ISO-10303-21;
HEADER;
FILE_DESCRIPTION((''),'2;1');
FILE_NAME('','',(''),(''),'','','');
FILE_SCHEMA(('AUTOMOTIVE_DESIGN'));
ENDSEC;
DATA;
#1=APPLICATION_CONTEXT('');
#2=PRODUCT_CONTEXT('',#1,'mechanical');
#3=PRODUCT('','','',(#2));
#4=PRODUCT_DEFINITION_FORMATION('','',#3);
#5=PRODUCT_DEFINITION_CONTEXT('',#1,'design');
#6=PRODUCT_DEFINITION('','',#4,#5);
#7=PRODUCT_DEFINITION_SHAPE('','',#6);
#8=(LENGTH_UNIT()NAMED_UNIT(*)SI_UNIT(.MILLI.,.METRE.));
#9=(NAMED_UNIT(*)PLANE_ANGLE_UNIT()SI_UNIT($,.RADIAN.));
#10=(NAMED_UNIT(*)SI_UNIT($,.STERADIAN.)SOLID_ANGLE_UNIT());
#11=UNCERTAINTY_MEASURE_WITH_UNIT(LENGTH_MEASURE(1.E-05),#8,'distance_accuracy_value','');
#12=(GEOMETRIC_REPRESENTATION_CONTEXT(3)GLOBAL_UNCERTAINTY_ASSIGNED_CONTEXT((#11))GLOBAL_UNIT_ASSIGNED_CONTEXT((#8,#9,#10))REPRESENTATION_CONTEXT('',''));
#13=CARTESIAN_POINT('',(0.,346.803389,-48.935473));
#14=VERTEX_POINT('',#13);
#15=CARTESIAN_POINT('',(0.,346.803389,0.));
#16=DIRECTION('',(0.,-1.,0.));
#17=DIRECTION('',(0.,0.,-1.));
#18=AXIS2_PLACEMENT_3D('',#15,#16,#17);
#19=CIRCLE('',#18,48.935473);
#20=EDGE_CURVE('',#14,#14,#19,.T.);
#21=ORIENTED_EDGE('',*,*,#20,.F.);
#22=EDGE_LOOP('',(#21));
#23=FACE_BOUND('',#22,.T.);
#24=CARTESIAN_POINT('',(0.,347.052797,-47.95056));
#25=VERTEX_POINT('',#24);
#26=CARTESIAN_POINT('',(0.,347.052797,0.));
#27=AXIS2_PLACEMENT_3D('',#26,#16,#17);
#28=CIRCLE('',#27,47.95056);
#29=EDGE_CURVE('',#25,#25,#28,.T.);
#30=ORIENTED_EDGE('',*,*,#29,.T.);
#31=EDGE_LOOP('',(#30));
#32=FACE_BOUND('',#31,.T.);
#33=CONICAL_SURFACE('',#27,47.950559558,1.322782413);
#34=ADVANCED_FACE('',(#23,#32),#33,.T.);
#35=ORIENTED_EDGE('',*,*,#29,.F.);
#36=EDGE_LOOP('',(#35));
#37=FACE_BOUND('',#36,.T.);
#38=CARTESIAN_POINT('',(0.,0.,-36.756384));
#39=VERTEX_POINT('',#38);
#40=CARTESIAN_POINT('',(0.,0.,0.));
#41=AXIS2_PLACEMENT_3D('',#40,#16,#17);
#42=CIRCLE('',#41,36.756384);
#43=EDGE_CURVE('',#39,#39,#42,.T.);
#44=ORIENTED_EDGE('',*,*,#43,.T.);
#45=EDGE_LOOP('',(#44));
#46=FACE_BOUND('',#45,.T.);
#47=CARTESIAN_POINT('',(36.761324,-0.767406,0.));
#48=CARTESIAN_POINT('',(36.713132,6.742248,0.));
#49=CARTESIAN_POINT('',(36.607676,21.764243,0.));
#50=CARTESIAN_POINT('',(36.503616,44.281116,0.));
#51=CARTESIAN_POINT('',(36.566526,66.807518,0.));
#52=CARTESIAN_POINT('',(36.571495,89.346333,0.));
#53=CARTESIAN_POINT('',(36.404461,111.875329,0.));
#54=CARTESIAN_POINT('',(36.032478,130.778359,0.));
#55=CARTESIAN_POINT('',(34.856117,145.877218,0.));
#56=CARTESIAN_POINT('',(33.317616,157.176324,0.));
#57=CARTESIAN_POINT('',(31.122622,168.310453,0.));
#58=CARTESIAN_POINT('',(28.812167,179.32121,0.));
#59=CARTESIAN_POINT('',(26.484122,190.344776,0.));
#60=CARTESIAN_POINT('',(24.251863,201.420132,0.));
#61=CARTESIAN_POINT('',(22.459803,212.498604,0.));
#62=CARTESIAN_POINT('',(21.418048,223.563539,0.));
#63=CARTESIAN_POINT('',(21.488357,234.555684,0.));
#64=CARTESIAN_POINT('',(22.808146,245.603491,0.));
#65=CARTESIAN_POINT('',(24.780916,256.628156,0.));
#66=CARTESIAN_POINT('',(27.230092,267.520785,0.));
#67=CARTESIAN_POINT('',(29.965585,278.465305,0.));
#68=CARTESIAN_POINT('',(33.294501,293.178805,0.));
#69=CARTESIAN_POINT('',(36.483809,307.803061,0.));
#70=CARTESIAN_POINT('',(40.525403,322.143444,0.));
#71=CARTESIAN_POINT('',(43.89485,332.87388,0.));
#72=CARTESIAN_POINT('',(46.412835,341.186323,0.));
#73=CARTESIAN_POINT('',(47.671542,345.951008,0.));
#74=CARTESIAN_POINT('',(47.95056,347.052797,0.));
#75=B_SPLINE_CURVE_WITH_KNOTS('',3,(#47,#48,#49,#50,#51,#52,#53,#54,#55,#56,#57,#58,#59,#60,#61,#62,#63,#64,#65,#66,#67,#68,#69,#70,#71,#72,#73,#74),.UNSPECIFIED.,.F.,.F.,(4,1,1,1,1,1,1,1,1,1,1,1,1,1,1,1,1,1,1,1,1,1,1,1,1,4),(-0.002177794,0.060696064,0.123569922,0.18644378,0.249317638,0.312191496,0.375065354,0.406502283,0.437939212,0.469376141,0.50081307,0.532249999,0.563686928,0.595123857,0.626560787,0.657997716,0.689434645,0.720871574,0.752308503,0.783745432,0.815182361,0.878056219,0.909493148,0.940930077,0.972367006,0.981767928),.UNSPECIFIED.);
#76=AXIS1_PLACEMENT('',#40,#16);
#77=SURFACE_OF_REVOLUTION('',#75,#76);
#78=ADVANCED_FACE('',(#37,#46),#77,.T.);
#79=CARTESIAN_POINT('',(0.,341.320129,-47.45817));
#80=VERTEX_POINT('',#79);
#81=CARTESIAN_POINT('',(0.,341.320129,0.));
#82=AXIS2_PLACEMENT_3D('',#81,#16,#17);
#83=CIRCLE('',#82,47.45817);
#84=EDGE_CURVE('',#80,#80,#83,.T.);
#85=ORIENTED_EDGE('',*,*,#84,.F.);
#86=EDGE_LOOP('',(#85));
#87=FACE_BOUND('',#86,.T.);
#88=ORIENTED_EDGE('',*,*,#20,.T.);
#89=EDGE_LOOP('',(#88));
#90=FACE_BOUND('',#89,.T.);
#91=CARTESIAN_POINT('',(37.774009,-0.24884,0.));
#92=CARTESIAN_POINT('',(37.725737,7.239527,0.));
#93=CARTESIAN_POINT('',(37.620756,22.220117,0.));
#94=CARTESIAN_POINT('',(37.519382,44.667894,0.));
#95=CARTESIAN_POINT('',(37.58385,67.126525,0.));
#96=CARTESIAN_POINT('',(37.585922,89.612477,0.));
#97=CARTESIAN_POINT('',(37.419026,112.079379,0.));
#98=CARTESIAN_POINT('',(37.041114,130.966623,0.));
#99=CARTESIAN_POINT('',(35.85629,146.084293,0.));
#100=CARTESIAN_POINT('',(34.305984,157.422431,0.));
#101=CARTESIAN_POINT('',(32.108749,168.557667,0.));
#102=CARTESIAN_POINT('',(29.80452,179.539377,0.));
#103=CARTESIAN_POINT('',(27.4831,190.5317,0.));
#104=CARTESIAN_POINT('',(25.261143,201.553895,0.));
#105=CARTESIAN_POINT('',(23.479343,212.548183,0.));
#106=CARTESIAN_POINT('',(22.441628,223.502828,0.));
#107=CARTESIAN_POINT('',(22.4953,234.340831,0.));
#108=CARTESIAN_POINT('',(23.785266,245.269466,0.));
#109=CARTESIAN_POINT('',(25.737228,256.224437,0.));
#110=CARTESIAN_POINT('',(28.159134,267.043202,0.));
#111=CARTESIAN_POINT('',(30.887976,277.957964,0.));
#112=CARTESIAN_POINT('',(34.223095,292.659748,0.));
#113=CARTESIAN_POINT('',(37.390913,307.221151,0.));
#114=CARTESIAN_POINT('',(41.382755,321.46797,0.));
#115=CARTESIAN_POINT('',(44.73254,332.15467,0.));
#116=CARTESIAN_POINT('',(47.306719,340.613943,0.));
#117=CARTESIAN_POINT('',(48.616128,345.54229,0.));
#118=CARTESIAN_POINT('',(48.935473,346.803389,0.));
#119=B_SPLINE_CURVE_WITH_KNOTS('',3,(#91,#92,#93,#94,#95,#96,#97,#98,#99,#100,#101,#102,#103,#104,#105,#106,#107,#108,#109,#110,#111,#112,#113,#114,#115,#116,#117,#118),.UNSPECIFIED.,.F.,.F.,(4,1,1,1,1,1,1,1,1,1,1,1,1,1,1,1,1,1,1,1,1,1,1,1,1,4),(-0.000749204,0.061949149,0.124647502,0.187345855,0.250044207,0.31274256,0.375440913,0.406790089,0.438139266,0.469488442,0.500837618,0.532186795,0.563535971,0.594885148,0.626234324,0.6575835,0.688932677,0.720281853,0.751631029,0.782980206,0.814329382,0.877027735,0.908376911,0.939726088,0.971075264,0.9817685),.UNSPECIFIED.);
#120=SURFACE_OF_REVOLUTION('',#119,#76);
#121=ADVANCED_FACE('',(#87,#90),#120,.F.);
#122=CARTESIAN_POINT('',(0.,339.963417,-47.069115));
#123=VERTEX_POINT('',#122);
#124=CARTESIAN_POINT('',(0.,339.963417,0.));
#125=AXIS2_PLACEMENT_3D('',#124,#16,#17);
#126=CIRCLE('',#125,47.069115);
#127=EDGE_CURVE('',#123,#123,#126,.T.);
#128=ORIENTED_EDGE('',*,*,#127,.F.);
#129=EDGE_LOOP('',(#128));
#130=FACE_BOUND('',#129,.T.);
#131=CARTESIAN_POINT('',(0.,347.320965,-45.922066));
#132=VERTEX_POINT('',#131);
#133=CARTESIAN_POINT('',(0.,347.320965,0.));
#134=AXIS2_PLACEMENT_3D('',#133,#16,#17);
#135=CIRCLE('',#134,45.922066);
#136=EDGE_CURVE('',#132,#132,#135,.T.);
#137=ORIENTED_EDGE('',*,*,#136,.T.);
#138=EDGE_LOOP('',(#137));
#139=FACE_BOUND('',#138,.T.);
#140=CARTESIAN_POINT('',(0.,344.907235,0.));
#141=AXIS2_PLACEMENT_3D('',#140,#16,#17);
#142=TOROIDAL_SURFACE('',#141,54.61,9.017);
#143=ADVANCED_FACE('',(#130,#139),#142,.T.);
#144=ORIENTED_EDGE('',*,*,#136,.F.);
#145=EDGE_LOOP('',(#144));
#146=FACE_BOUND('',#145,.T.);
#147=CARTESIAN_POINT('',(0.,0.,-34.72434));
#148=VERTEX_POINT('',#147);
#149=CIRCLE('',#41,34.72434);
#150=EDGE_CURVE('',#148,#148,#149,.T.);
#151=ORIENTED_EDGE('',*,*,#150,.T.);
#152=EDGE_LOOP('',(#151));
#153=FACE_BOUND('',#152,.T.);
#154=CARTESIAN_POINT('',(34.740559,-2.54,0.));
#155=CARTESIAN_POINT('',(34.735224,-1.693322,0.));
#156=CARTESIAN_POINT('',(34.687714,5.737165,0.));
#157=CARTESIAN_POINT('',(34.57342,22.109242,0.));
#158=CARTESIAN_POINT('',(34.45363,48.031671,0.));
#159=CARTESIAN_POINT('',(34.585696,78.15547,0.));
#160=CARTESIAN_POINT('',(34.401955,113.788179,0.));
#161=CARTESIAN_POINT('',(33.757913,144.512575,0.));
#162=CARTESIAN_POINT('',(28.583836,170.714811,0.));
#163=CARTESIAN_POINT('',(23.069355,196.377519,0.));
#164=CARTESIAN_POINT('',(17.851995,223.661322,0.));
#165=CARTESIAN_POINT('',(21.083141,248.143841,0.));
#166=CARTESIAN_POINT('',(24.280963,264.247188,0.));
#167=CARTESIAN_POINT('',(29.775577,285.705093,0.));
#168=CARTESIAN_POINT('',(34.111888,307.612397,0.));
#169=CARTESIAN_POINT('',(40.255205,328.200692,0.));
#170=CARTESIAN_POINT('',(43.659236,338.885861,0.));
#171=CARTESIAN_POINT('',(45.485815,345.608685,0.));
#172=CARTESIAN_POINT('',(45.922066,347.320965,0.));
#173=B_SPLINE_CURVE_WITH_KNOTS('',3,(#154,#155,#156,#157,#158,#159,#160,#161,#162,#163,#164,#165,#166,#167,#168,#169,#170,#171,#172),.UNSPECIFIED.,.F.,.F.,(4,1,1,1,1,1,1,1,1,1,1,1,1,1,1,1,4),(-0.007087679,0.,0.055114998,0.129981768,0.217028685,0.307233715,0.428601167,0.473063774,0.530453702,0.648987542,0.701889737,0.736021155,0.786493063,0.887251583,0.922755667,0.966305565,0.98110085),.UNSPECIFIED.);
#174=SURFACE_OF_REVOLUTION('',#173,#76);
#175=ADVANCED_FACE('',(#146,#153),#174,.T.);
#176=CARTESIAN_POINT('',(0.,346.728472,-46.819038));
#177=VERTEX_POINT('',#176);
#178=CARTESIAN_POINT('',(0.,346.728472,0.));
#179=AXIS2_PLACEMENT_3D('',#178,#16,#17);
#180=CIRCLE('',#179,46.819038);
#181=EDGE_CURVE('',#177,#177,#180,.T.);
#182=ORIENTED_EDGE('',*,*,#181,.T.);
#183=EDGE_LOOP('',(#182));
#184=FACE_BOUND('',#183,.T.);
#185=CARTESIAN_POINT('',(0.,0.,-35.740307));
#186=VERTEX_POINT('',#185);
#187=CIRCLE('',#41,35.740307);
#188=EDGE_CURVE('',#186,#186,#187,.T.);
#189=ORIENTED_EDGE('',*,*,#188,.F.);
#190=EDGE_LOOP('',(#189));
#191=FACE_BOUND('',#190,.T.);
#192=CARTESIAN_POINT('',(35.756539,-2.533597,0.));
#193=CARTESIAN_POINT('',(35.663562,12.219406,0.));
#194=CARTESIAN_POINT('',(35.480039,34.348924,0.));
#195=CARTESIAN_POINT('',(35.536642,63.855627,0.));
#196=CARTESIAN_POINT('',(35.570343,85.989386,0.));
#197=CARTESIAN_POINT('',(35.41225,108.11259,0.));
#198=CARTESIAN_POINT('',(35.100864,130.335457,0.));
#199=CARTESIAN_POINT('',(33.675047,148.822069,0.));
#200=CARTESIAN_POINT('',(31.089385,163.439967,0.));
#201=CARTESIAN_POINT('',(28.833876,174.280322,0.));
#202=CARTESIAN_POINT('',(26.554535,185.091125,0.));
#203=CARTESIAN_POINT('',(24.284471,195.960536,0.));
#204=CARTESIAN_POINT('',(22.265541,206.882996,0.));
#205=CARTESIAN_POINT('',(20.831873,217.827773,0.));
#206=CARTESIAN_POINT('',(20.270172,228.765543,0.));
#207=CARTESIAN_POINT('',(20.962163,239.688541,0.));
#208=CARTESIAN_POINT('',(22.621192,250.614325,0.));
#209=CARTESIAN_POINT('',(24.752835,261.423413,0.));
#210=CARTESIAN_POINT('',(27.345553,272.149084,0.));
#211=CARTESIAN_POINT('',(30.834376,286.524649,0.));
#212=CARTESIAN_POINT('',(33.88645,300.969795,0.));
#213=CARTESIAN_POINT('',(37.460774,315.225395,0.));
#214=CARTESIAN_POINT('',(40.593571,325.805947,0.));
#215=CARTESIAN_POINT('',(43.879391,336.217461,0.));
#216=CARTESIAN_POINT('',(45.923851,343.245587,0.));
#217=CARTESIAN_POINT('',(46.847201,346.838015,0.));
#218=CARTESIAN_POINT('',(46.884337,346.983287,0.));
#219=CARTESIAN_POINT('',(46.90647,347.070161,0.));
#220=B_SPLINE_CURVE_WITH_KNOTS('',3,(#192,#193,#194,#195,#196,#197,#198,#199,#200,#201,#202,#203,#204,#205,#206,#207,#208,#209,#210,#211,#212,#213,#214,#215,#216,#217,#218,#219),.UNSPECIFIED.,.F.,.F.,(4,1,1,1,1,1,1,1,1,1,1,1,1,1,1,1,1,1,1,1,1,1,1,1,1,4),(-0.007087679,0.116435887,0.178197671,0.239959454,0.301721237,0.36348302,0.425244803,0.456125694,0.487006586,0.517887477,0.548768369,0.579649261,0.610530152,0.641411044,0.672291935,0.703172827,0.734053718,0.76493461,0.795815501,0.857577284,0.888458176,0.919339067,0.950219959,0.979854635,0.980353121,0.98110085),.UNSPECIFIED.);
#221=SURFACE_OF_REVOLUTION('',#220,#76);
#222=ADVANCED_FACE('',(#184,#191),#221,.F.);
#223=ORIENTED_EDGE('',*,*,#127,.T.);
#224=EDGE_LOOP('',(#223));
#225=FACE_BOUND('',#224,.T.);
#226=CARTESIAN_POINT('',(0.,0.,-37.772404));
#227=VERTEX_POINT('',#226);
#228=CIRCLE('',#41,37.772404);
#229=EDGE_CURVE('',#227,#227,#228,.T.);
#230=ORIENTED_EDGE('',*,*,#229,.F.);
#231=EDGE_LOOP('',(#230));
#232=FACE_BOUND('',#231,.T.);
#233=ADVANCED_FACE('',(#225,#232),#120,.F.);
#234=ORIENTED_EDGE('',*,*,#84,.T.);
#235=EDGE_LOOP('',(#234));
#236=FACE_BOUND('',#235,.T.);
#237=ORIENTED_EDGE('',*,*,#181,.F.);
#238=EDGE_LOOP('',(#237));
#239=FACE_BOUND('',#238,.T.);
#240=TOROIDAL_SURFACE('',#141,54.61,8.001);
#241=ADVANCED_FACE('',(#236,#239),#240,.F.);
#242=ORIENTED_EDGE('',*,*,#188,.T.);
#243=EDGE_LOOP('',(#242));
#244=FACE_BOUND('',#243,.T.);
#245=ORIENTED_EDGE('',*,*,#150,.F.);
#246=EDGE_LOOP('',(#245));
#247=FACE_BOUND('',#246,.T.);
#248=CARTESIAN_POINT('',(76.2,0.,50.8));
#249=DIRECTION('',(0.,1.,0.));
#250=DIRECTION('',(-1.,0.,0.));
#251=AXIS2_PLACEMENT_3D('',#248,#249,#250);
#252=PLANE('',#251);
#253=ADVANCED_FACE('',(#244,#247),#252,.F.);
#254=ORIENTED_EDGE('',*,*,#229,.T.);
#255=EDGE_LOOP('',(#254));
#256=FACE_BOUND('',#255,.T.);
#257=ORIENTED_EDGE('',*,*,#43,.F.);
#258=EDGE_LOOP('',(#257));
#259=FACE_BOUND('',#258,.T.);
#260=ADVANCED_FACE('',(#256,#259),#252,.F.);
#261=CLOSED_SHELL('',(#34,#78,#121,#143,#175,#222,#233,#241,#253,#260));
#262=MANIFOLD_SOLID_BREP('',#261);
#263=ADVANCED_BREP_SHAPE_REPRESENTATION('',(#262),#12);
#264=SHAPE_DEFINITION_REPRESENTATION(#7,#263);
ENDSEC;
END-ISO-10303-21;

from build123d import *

# Parameters (mm, degrees)
SKETCH3_W               = 165.1
SKETCH3_H               = 366.624235
SKETCH3_W_2             = 152.4
SKETCH3_H_2             = 353.924235
CUT_EXTRUDE2_DEPTH      = 50.8
CUT_EXTRUDE2_DEPTH_BACK = 50.8


with BuildPart() as part:
    # Sketch1 → Revolve2 (revolve)
    with BuildSketch(Plane.XY):
        with BuildLine():
            add(Edge.make_bspline(
                [(37.774009, -0.24884), (37.725737, 7.239527), (37.620756, 22.220117), (37.519382, 44.667894), (37.58385, 67.126525), (37.585922, 89.612477), (37.419026, 112.079379), (37.041114, 130.966623), (35.85629, 146.084293), (34.305984, 157.422431), (32.108749, 168.557667), (29.80452, 179.539377), (27.4831, 190.5317), (25.261143, 201.553895), (23.479343, 212.548183), (22.441628, 223.502828), (22.4953, 234.340831), (23.785266, 245.269466), (25.737228, 256.224437), (28.159134, 267.043202), (30.887976, 277.957964), (34.223095, 292.659748), (37.390913, 307.221151), (41.382755, 321.46797), (44.418479, 331.152733), (46.312446, 337.350798), (47.069115, 339.963417)],
                knots=[-0.000749, -0.000749, -0.000749, -0.000749, 0.061949, 0.124648, 0.187346, 0.250044, 0.312743, 0.375441, 0.40679, 0.438139, 0.469488, 0.500838, 0.532187, 0.563536, 0.594885, 0.626234, 0.657584, 0.688933, 0.720282, 0.751631, 0.78298, 0.814329, 0.877028, 0.908377, 0.939726, 0.962258, 0.962258, 0.962258, 0.962258], degree=3))
            add(Edge.make_bspline(
                [(47.069115, 339.963417), (47.199909, 340.415022), (47.329647, 340.867246), (47.45817, 341.320129)],
                knots=[0.962258, 0.962258, 0.962258, 0.962258, 0.966153, 0.966153, 0.966153, 0.966153], degree=3))
            add(Edge.make_bspline(
                [(47.45817, 341.320129), (47.620616, 341.892552), (48.129769, 343.711734), (48.616128, 345.54229), (48.935473, 346.803389)],
                knots=[0.966153, 0.966153, 0.966153, 0.966153, 0.971075, 0.981768, 0.981768, 0.981768, 0.981768], degree=3))
            Line((48.935473, 346.803389), (47.95056, 347.052797))
            add(Edge.make_bspline(
                [(36.761324, -0.767406), (36.713132, 6.742248), (36.607676, 21.764243), (36.503616, 44.281116), (36.566526, 66.807518), (36.571495, 89.346333), (36.404461, 111.875329), (36.032478, 130.778359), (34.856117, 145.877218), (33.317616, 157.176324), (31.122622, 168.310453), (28.812167, 179.32121), (26.484122, 190.344776), (24.251863, 201.420132), (22.459803, 212.498604), (21.418048, 223.563539), (21.488357, 234.555684), (22.808146, 245.603491), (24.780916, 256.628156), (27.230092, 267.520785), (29.965585, 278.465305), (33.294501, 293.178805), (36.483809, 307.803061), (40.525403, 322.143444), (43.89485, 332.87388), (46.412835, 341.186323), (47.671542, 345.951008), (47.95056, 347.052797)],
                knots=[-0.002178, -0.002178, -0.002178, -0.002178, 0.060696, 0.12357, 0.186444, 0.249318, 0.312191, 0.375065, 0.406502, 0.437939, 0.469376, 0.500813, 0.53225, 0.563687, 0.595124, 0.626561, 0.657998, 0.689435, 0.720872, 0.752309, 0.783745, 0.815182, 0.878056, 0.909493, 0.94093, 0.972367, 0.981768, 0.981768, 0.981768, 0.981768], degree=3))
            Line((36.761324, -0.767406), (37.774009, -0.24884))
        make_face()
        with BuildLine():
            add(Edge.make_bspline(
                [(34.740559, -2.54), (34.735224, -1.693322), (34.687714, 5.737165), (34.57342, 22.109242), (34.45363, 48.031671), (34.585696, 78.15547), (34.401955, 113.788179), (33.757913, 144.512575), (28.583836, 170.714811), (23.069355, 196.377519), (17.851995, 223.661322), (21.083141, 248.143841), (24.280963, 264.247188), (29.775577, 285.705093), (34.111888, 307.612397), (40.255205, 328.200692), (43.62194, 338.76879), (45.421344, 345.371749), (45.830722, 346.964071)],
                knots=[-0.007088, -0.007088, -0.007088, -0.007088, 0, 0.055115, 0.129982, 0.217029, 0.307234, 0.428601, 0.473064, 0.530454, 0.648988, 0.70189, 0.736021, 0.786493, 0.887252, 0.922756, 0.966306, 0.980073, 0.980073, 0.980073, 0.980073], degree=3))
            Line((34.740559, -2.54), (35.756539, -2.533597))
            add(Edge.make_bspline(
                [(35.756539, -2.533597), (35.663568, 12.219405), (35.480054, 34.348921), (35.53667, 63.855621), (35.57038, 85.989378), (35.412296, 108.11258), (35.100919, 130.335445), (33.67511, 148.822056), (31.089455, 163.439954), (28.83395, 174.280309), (26.554614, 185.091112), (24.284554, 195.960523), (22.265629, 206.882983), (20.831965, 217.827759), (20.270269, 228.765528), (20.962264, 239.688525), (22.621298, 250.614307), (24.752945, 261.423393), (27.345668, 272.149062), (30.834497, 286.524624), (33.886576, 300.969768), (37.460905, 315.225365), (40.593706, 325.805915), (43.879531, 336.217427), (45.915642, 343.216841), (46.810075, 346.693006), (46.817529, 346.722006)],
                knots=[-0.007088, -0.007088, -0.007088, -0.007088, 0.116436, 0.178198, 0.239959, 0.301721, 0.363483, 0.425245, 0.456126, 0.487007, 0.517887, 0.548768, 0.579649, 0.61053, 0.641411, 0.672292, 0.703173, 0.734054, 0.764935, 0.795816, 0.857577, 0.888458, 0.919339, 0.95022, 0.979855, 0.980104, 0.980104, 0.980104, 0.980104], degree=3))
            ThreePointArc((46.817529, 346.722006), (46.858845, 346.891071), (46.90383, 347.059197))
            ThreePointArc((46.90383, 347.059197), (62.573935, 345.676477), (47.45817, 341.320129))
            add(Edge.make_bspline(
                [(47.069115, 339.963417), (47.199909, 340.415022), (47.329647, 340.867246), (47.45817, 341.320129)],
                knots=[0.962258, 0.962258, 0.962258, 0.962258, 0.966153, 0.966153, 0.966153, 0.966153], degree=3))
            ThreePointArc((47.069115, 339.963417), (63.519378, 346.296215), (45.922066, 347.320965))
            add(Edge.make_bspline(
                [(45.830722, 346.964071), (45.861299, 347.083), (45.891747, 347.201964), (45.922066, 347.320965)],
                knots=[0.980073, 0.980073, 0.980073, 0.980073, 0.981101, 0.981101, 0.981101, 0.981101], degree=3))
        make_face()
    revolve(axis=Axis((0, 0, 0), (0, 1, 0)))

    # Sketch3 → Cut-Extrude2 (cut, two sides)
    with BuildSketch(Plane.XY) as cut_extrude2_sk:
        with Locations((0, 176.962117)):
            Rectangle(SKETCH3_W, SKETCH3_H)
        with Locations((0, 176.962118)):
            Rectangle(SKETCH3_W_2, SKETCH3_H_2, mode=Mode.SUBTRACT)
    extrude(amount=CUT_EXTRUDE2_DEPTH, mode=Mode.SUBTRACT)
    extrude(cut_extrude2_sk.sketch, amount=-CUT_EXTRUDE2_DEPTH_BACK, mode=Mode.SUBTRACT)


solid = part.part
